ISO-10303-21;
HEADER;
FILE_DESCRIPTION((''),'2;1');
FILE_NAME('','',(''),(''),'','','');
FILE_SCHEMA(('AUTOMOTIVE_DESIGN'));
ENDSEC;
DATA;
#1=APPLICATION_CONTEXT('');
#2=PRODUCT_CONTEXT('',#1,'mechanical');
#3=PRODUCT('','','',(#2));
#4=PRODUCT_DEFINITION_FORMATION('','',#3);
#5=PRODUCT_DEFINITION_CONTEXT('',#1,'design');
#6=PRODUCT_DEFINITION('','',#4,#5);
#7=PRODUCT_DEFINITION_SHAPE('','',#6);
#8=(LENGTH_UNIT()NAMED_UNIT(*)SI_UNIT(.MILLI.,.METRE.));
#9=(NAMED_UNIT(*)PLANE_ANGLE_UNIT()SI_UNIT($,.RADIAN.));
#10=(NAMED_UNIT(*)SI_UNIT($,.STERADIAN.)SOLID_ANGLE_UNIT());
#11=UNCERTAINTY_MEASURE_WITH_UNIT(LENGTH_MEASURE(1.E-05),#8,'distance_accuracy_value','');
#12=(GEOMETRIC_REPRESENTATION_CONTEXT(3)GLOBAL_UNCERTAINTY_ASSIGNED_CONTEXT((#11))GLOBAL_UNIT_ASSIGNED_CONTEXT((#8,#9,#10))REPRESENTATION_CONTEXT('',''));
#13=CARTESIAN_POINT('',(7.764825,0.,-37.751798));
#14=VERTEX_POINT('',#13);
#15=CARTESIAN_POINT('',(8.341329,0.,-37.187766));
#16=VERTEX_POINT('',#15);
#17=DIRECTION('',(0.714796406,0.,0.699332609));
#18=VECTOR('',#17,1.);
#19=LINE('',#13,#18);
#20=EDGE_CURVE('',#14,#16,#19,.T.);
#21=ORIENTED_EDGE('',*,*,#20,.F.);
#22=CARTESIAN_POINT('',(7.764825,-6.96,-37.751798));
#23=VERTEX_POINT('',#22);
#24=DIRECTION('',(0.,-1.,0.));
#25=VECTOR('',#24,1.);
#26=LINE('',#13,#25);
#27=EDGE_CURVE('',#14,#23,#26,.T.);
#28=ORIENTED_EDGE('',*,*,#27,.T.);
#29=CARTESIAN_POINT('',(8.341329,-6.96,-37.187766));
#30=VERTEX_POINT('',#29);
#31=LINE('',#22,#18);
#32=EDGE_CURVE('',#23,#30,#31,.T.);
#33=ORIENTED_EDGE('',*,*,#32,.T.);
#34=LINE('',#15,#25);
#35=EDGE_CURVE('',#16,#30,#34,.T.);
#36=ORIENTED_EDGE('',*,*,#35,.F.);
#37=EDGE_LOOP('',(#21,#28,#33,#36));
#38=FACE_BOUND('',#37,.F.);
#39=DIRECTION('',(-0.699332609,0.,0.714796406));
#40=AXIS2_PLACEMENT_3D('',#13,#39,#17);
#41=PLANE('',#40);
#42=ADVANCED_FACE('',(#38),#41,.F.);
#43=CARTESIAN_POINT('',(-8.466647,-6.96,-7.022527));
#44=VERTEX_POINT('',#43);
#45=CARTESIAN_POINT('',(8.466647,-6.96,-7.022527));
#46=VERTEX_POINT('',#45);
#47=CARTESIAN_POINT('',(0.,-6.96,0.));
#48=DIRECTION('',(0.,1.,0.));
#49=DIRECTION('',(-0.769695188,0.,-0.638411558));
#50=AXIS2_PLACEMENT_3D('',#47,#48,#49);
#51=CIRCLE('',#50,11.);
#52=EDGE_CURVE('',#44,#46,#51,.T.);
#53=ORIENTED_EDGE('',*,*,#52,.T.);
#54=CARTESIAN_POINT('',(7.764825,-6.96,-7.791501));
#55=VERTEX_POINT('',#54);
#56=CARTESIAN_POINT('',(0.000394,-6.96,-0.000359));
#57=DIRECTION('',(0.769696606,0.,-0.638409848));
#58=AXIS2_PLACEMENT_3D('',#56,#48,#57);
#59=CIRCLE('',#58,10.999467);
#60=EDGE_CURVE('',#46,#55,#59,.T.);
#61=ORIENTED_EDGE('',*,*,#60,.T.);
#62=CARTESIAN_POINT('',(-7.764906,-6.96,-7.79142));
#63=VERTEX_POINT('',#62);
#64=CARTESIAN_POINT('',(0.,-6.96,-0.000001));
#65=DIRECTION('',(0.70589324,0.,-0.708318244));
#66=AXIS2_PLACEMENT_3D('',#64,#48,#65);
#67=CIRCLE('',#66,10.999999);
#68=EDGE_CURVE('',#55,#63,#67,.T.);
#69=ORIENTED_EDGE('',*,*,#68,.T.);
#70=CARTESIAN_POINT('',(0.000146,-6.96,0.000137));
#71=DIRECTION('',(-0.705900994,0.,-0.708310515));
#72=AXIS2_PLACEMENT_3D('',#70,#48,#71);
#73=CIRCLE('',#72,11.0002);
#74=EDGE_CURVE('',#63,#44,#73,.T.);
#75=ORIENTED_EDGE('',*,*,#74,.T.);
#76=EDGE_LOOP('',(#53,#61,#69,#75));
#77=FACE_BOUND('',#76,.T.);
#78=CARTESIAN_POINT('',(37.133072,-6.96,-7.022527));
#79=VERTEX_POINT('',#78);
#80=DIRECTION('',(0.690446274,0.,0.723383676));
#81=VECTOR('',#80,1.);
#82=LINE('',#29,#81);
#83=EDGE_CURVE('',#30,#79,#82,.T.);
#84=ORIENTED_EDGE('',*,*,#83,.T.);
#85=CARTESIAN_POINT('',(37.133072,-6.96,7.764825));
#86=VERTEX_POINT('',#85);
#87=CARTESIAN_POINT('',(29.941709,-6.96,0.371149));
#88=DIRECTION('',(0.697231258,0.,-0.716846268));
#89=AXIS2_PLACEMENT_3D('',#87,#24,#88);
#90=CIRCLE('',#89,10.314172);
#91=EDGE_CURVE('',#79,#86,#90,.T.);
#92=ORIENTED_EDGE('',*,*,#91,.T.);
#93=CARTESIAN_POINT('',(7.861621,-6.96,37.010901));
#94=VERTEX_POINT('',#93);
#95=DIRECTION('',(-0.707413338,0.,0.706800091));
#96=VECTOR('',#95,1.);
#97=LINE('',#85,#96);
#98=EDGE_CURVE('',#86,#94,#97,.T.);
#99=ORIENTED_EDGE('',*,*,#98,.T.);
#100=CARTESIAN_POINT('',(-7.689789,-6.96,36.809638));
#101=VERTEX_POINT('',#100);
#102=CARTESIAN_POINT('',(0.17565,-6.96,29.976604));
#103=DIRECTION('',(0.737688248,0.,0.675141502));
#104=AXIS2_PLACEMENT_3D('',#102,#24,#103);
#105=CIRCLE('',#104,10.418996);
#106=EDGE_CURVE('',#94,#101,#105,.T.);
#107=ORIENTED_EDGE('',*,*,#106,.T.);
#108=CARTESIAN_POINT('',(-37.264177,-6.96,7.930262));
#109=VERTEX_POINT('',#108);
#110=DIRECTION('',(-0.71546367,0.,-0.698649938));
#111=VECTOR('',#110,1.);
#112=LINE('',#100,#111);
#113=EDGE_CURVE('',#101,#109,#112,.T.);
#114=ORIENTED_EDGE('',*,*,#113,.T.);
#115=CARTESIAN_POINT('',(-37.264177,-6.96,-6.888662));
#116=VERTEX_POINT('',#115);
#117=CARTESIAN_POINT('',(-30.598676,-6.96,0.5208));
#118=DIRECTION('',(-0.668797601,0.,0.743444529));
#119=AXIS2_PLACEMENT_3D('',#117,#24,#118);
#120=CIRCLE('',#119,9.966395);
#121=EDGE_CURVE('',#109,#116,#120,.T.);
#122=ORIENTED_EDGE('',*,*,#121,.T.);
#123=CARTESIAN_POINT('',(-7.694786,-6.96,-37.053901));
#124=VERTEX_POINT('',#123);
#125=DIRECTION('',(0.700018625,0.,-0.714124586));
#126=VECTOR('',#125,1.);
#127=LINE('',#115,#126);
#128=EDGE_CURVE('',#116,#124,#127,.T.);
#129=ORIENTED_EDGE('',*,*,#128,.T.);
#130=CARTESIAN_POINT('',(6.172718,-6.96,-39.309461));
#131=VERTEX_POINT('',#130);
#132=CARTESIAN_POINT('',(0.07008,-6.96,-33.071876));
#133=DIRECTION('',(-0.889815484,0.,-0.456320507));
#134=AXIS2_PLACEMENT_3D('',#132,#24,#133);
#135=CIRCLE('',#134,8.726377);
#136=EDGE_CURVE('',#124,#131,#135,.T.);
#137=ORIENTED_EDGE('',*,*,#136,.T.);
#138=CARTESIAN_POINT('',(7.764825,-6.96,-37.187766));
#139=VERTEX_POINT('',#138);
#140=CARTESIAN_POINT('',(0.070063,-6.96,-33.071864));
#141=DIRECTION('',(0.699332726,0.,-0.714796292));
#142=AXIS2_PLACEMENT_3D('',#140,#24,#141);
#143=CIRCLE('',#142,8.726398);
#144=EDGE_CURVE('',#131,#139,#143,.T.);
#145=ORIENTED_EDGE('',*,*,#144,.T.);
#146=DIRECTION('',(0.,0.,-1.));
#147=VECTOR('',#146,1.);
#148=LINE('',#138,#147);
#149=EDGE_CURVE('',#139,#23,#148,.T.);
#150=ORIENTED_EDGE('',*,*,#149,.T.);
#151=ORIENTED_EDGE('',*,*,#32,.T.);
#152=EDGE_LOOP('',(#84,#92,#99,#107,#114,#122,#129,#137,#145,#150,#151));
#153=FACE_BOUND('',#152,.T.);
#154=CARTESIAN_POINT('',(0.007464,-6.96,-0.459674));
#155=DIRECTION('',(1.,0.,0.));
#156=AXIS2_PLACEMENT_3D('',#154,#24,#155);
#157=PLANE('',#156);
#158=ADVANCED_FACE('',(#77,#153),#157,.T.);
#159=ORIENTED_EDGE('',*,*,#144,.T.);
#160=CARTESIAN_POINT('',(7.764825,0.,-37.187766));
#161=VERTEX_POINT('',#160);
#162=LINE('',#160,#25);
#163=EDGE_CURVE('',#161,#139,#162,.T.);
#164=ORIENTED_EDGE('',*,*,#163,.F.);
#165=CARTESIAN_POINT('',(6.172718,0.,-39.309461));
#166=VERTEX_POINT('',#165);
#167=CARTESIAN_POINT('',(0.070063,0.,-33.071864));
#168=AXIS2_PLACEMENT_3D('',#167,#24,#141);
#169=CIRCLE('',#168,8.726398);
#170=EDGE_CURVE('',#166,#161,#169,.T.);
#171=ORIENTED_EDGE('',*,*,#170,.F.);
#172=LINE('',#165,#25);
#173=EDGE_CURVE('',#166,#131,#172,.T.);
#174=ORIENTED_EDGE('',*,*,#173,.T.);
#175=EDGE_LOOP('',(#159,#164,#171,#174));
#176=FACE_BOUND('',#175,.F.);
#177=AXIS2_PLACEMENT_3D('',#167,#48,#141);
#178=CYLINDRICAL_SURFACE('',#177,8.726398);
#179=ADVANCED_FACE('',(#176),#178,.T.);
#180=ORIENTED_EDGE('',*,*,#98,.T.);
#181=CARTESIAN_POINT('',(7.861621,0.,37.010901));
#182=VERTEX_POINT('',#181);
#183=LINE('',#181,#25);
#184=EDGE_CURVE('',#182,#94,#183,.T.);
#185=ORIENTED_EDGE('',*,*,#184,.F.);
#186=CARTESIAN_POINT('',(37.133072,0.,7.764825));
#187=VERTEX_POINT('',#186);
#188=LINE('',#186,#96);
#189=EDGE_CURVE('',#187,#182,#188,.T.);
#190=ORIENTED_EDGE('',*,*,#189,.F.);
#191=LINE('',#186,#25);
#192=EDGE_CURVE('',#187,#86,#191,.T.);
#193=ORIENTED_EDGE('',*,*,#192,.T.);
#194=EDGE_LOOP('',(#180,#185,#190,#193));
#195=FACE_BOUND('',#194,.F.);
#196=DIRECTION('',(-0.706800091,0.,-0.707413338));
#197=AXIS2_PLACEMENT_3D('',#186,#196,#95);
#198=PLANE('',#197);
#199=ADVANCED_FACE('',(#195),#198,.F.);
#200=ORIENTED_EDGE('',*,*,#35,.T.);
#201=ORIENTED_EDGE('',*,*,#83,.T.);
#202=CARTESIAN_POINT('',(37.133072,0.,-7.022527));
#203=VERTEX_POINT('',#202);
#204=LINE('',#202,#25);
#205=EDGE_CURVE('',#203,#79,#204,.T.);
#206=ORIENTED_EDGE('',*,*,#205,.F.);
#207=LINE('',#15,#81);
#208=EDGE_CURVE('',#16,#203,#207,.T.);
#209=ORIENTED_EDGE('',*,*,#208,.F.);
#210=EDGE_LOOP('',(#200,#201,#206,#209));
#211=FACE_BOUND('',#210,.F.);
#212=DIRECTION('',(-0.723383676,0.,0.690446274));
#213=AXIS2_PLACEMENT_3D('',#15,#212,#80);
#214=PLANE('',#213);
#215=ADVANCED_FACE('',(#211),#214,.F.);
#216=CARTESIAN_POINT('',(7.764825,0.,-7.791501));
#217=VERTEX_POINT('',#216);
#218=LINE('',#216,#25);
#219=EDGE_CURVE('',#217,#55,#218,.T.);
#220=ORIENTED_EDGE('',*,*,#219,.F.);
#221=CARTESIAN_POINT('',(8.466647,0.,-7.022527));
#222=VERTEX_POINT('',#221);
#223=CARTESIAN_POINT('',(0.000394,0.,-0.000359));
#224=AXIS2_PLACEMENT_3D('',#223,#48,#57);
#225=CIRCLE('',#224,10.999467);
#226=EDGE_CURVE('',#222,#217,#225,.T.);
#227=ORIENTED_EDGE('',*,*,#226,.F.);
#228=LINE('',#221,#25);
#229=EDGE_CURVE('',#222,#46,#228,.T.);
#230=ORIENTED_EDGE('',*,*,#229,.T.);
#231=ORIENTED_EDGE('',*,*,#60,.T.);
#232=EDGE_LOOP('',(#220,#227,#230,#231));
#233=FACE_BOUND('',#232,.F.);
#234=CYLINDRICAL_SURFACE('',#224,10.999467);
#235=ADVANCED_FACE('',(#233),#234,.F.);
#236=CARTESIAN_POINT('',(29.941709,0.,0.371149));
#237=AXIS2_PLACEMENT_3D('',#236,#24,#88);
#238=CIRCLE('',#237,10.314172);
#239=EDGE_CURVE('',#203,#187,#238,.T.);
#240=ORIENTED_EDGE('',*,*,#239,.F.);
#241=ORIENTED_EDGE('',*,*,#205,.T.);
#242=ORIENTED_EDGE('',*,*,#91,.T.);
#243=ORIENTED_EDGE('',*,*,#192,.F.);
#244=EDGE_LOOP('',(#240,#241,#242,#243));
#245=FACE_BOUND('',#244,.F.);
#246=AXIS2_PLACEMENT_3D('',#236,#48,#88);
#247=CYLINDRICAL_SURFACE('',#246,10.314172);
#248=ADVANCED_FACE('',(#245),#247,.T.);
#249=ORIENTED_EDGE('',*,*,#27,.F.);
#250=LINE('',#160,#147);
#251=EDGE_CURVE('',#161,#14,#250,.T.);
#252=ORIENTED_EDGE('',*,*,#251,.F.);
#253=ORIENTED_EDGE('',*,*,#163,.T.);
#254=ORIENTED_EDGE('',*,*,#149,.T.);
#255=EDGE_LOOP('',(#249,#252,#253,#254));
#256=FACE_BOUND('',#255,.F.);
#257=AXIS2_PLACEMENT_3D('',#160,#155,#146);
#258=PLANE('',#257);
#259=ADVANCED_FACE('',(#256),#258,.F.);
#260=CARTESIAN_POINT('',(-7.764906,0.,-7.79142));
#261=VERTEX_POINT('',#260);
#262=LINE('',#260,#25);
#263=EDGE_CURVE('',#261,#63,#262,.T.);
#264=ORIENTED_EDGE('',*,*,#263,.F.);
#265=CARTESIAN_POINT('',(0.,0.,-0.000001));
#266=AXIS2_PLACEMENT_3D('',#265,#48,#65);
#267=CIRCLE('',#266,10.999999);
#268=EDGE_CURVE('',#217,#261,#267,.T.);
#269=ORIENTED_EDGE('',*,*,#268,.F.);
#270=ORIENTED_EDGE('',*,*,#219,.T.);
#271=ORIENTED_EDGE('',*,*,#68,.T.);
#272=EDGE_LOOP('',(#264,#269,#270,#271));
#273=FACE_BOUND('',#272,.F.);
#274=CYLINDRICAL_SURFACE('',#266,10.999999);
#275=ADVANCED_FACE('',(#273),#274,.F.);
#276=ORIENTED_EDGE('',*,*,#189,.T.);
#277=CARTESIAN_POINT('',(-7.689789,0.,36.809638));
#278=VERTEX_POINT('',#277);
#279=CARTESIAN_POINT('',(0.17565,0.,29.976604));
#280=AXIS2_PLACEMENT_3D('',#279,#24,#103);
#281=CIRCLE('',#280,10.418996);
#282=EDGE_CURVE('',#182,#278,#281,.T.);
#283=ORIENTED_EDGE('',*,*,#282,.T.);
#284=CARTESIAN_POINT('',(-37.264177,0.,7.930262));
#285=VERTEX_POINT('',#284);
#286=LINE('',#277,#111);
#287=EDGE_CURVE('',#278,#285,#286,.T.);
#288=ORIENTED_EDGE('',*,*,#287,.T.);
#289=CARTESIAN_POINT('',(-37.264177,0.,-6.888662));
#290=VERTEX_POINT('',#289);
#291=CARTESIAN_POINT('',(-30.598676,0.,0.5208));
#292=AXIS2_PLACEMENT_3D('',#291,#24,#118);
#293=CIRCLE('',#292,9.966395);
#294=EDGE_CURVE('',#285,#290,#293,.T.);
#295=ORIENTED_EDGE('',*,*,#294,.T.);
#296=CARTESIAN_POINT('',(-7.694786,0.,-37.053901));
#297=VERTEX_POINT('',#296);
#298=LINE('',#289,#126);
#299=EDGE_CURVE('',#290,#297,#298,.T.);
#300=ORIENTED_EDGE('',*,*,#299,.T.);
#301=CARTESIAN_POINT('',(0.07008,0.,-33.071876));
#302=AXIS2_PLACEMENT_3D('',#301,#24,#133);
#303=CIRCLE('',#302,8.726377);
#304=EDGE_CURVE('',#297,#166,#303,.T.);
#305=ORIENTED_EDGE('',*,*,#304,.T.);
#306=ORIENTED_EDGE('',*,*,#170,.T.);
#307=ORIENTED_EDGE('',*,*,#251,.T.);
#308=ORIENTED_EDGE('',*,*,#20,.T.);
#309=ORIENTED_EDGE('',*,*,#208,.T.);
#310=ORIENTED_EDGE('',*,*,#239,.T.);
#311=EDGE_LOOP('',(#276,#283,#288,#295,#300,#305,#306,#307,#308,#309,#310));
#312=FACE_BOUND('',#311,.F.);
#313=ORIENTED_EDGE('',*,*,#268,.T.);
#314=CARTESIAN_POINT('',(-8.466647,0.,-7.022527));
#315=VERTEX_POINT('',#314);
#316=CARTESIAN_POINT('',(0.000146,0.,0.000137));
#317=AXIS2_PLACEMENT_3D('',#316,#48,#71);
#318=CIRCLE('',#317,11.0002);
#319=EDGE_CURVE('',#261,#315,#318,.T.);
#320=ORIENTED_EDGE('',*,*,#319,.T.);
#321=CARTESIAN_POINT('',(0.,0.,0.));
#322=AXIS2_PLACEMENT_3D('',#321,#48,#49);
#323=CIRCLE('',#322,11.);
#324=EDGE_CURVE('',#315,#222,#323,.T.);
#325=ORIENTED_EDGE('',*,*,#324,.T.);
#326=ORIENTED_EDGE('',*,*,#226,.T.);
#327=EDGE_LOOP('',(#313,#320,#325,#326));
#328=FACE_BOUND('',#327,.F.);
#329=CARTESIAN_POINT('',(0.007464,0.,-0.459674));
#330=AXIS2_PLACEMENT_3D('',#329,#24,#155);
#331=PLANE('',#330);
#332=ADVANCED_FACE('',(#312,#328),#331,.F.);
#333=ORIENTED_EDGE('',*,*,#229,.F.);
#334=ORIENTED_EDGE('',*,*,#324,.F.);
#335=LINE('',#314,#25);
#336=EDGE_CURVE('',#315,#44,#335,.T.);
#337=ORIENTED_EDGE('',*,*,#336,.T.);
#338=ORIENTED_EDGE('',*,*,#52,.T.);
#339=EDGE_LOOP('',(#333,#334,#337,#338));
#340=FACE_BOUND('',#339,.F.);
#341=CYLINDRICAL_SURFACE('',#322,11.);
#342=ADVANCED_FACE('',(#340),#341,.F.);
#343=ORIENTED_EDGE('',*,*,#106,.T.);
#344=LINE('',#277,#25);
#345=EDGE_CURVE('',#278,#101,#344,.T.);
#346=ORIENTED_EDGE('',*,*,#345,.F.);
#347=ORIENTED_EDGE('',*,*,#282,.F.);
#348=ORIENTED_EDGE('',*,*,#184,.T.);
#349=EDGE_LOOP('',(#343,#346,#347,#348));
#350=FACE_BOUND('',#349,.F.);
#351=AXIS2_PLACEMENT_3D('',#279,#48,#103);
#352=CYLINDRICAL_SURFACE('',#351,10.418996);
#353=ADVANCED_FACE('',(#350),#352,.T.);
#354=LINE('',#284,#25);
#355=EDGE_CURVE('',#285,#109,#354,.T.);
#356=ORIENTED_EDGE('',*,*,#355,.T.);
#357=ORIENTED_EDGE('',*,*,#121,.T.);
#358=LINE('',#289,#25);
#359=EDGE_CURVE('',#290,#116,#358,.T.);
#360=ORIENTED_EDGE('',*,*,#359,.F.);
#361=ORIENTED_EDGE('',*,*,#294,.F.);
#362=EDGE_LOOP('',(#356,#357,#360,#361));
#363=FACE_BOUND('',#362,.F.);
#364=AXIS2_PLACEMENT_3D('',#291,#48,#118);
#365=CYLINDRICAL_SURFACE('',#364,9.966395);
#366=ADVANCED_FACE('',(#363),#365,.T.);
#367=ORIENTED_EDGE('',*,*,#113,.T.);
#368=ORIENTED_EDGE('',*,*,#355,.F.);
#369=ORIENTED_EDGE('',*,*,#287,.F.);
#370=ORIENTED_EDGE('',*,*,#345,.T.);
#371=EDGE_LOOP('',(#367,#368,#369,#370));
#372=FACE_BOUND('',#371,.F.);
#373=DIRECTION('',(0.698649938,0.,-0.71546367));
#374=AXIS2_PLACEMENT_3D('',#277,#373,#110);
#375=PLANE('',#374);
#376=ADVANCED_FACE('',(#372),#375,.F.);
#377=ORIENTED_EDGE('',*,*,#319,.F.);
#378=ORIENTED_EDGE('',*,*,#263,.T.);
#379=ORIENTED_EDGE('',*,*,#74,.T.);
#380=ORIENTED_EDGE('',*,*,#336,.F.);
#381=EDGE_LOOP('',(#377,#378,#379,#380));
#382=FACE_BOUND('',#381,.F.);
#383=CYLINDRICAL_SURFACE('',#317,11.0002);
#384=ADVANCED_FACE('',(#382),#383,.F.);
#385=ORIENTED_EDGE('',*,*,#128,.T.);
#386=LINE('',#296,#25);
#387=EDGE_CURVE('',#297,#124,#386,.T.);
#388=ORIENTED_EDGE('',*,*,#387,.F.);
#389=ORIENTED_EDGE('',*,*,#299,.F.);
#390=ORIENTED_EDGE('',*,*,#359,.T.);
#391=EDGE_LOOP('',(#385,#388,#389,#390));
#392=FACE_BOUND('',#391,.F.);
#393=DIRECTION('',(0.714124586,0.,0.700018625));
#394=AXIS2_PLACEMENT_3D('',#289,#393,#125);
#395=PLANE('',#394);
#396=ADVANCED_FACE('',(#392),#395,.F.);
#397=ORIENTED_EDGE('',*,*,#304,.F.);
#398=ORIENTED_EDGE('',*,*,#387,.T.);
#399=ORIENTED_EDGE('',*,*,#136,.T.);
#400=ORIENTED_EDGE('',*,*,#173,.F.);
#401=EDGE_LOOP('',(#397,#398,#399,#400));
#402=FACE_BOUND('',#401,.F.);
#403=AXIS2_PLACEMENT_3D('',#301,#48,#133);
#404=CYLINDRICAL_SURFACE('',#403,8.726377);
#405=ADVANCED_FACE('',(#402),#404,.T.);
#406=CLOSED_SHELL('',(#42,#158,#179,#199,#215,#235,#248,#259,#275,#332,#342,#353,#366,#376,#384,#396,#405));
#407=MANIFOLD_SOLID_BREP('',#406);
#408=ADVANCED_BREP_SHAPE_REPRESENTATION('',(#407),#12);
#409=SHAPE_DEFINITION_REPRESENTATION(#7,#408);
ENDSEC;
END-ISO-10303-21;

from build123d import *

# Parameters (mm, degrees)
F1_DEPTH = 6.96


with BuildPart() as f1:
    # F0 (on Front) → F1 (new body)
    with BuildSketch(Plane.XZ):
        with BuildLine():
            Line((7.764825, -37.187766), (7.764825, -37.751798))
            Line((7.764825, -37.751798), (8.341329, -37.187766))
            Line((8.341329, -37.187766), (37.133072, -7.022527))
            ThreePointArc((37.133072, -7.022527), (40.255881, 0.371149), (37.133072, 7.764825))
            Line((37.133072, 7.764825), (7.861621, 37.010901))
            ThreePointArc((7.861621, 37.010901), (0.040821, 40.394728), (-7.689789, 36.809638))
            Line((-7.689789, 36.809638), (-37.264177, 7.930262))
            ThreePointArc((-37.264177, 7.930262), (-40.565071, 0.5208), (-37.264177, -6.888662))
            Line((-37.264177, -6.888662), (-7.694786, -37.053901))
            ThreePointArc((-7.694786, -37.053901), (-1.330862, -41.685065), (6.172718, -39.309461))
            ThreePointArc((6.172718, -39.309461), (7.049861, -38.309462), (7.764825, -37.187766))
        make_face()
        with BuildLine():
            ThreePointArc((-7.764906, -7.79142), (-8.124877, -7.415279), (-8.466647, -7.022527))
            ThreePointArc((-8.466647, -7.022527), (0, 11), (8.466647, -7.022527))
            ThreePointArc((8.466647, -7.022527), (8.124839, -7.415322), (7.764825, -7.791501))
            ThreePointArc((7.764825, -7.791501), (-5.7e-05, -11), (-7.764906, -7.79142))
        make_face(mode=Mode.SUBTRACT)
    extrude(amount=F1_DEPTH)


solid = f1.part
